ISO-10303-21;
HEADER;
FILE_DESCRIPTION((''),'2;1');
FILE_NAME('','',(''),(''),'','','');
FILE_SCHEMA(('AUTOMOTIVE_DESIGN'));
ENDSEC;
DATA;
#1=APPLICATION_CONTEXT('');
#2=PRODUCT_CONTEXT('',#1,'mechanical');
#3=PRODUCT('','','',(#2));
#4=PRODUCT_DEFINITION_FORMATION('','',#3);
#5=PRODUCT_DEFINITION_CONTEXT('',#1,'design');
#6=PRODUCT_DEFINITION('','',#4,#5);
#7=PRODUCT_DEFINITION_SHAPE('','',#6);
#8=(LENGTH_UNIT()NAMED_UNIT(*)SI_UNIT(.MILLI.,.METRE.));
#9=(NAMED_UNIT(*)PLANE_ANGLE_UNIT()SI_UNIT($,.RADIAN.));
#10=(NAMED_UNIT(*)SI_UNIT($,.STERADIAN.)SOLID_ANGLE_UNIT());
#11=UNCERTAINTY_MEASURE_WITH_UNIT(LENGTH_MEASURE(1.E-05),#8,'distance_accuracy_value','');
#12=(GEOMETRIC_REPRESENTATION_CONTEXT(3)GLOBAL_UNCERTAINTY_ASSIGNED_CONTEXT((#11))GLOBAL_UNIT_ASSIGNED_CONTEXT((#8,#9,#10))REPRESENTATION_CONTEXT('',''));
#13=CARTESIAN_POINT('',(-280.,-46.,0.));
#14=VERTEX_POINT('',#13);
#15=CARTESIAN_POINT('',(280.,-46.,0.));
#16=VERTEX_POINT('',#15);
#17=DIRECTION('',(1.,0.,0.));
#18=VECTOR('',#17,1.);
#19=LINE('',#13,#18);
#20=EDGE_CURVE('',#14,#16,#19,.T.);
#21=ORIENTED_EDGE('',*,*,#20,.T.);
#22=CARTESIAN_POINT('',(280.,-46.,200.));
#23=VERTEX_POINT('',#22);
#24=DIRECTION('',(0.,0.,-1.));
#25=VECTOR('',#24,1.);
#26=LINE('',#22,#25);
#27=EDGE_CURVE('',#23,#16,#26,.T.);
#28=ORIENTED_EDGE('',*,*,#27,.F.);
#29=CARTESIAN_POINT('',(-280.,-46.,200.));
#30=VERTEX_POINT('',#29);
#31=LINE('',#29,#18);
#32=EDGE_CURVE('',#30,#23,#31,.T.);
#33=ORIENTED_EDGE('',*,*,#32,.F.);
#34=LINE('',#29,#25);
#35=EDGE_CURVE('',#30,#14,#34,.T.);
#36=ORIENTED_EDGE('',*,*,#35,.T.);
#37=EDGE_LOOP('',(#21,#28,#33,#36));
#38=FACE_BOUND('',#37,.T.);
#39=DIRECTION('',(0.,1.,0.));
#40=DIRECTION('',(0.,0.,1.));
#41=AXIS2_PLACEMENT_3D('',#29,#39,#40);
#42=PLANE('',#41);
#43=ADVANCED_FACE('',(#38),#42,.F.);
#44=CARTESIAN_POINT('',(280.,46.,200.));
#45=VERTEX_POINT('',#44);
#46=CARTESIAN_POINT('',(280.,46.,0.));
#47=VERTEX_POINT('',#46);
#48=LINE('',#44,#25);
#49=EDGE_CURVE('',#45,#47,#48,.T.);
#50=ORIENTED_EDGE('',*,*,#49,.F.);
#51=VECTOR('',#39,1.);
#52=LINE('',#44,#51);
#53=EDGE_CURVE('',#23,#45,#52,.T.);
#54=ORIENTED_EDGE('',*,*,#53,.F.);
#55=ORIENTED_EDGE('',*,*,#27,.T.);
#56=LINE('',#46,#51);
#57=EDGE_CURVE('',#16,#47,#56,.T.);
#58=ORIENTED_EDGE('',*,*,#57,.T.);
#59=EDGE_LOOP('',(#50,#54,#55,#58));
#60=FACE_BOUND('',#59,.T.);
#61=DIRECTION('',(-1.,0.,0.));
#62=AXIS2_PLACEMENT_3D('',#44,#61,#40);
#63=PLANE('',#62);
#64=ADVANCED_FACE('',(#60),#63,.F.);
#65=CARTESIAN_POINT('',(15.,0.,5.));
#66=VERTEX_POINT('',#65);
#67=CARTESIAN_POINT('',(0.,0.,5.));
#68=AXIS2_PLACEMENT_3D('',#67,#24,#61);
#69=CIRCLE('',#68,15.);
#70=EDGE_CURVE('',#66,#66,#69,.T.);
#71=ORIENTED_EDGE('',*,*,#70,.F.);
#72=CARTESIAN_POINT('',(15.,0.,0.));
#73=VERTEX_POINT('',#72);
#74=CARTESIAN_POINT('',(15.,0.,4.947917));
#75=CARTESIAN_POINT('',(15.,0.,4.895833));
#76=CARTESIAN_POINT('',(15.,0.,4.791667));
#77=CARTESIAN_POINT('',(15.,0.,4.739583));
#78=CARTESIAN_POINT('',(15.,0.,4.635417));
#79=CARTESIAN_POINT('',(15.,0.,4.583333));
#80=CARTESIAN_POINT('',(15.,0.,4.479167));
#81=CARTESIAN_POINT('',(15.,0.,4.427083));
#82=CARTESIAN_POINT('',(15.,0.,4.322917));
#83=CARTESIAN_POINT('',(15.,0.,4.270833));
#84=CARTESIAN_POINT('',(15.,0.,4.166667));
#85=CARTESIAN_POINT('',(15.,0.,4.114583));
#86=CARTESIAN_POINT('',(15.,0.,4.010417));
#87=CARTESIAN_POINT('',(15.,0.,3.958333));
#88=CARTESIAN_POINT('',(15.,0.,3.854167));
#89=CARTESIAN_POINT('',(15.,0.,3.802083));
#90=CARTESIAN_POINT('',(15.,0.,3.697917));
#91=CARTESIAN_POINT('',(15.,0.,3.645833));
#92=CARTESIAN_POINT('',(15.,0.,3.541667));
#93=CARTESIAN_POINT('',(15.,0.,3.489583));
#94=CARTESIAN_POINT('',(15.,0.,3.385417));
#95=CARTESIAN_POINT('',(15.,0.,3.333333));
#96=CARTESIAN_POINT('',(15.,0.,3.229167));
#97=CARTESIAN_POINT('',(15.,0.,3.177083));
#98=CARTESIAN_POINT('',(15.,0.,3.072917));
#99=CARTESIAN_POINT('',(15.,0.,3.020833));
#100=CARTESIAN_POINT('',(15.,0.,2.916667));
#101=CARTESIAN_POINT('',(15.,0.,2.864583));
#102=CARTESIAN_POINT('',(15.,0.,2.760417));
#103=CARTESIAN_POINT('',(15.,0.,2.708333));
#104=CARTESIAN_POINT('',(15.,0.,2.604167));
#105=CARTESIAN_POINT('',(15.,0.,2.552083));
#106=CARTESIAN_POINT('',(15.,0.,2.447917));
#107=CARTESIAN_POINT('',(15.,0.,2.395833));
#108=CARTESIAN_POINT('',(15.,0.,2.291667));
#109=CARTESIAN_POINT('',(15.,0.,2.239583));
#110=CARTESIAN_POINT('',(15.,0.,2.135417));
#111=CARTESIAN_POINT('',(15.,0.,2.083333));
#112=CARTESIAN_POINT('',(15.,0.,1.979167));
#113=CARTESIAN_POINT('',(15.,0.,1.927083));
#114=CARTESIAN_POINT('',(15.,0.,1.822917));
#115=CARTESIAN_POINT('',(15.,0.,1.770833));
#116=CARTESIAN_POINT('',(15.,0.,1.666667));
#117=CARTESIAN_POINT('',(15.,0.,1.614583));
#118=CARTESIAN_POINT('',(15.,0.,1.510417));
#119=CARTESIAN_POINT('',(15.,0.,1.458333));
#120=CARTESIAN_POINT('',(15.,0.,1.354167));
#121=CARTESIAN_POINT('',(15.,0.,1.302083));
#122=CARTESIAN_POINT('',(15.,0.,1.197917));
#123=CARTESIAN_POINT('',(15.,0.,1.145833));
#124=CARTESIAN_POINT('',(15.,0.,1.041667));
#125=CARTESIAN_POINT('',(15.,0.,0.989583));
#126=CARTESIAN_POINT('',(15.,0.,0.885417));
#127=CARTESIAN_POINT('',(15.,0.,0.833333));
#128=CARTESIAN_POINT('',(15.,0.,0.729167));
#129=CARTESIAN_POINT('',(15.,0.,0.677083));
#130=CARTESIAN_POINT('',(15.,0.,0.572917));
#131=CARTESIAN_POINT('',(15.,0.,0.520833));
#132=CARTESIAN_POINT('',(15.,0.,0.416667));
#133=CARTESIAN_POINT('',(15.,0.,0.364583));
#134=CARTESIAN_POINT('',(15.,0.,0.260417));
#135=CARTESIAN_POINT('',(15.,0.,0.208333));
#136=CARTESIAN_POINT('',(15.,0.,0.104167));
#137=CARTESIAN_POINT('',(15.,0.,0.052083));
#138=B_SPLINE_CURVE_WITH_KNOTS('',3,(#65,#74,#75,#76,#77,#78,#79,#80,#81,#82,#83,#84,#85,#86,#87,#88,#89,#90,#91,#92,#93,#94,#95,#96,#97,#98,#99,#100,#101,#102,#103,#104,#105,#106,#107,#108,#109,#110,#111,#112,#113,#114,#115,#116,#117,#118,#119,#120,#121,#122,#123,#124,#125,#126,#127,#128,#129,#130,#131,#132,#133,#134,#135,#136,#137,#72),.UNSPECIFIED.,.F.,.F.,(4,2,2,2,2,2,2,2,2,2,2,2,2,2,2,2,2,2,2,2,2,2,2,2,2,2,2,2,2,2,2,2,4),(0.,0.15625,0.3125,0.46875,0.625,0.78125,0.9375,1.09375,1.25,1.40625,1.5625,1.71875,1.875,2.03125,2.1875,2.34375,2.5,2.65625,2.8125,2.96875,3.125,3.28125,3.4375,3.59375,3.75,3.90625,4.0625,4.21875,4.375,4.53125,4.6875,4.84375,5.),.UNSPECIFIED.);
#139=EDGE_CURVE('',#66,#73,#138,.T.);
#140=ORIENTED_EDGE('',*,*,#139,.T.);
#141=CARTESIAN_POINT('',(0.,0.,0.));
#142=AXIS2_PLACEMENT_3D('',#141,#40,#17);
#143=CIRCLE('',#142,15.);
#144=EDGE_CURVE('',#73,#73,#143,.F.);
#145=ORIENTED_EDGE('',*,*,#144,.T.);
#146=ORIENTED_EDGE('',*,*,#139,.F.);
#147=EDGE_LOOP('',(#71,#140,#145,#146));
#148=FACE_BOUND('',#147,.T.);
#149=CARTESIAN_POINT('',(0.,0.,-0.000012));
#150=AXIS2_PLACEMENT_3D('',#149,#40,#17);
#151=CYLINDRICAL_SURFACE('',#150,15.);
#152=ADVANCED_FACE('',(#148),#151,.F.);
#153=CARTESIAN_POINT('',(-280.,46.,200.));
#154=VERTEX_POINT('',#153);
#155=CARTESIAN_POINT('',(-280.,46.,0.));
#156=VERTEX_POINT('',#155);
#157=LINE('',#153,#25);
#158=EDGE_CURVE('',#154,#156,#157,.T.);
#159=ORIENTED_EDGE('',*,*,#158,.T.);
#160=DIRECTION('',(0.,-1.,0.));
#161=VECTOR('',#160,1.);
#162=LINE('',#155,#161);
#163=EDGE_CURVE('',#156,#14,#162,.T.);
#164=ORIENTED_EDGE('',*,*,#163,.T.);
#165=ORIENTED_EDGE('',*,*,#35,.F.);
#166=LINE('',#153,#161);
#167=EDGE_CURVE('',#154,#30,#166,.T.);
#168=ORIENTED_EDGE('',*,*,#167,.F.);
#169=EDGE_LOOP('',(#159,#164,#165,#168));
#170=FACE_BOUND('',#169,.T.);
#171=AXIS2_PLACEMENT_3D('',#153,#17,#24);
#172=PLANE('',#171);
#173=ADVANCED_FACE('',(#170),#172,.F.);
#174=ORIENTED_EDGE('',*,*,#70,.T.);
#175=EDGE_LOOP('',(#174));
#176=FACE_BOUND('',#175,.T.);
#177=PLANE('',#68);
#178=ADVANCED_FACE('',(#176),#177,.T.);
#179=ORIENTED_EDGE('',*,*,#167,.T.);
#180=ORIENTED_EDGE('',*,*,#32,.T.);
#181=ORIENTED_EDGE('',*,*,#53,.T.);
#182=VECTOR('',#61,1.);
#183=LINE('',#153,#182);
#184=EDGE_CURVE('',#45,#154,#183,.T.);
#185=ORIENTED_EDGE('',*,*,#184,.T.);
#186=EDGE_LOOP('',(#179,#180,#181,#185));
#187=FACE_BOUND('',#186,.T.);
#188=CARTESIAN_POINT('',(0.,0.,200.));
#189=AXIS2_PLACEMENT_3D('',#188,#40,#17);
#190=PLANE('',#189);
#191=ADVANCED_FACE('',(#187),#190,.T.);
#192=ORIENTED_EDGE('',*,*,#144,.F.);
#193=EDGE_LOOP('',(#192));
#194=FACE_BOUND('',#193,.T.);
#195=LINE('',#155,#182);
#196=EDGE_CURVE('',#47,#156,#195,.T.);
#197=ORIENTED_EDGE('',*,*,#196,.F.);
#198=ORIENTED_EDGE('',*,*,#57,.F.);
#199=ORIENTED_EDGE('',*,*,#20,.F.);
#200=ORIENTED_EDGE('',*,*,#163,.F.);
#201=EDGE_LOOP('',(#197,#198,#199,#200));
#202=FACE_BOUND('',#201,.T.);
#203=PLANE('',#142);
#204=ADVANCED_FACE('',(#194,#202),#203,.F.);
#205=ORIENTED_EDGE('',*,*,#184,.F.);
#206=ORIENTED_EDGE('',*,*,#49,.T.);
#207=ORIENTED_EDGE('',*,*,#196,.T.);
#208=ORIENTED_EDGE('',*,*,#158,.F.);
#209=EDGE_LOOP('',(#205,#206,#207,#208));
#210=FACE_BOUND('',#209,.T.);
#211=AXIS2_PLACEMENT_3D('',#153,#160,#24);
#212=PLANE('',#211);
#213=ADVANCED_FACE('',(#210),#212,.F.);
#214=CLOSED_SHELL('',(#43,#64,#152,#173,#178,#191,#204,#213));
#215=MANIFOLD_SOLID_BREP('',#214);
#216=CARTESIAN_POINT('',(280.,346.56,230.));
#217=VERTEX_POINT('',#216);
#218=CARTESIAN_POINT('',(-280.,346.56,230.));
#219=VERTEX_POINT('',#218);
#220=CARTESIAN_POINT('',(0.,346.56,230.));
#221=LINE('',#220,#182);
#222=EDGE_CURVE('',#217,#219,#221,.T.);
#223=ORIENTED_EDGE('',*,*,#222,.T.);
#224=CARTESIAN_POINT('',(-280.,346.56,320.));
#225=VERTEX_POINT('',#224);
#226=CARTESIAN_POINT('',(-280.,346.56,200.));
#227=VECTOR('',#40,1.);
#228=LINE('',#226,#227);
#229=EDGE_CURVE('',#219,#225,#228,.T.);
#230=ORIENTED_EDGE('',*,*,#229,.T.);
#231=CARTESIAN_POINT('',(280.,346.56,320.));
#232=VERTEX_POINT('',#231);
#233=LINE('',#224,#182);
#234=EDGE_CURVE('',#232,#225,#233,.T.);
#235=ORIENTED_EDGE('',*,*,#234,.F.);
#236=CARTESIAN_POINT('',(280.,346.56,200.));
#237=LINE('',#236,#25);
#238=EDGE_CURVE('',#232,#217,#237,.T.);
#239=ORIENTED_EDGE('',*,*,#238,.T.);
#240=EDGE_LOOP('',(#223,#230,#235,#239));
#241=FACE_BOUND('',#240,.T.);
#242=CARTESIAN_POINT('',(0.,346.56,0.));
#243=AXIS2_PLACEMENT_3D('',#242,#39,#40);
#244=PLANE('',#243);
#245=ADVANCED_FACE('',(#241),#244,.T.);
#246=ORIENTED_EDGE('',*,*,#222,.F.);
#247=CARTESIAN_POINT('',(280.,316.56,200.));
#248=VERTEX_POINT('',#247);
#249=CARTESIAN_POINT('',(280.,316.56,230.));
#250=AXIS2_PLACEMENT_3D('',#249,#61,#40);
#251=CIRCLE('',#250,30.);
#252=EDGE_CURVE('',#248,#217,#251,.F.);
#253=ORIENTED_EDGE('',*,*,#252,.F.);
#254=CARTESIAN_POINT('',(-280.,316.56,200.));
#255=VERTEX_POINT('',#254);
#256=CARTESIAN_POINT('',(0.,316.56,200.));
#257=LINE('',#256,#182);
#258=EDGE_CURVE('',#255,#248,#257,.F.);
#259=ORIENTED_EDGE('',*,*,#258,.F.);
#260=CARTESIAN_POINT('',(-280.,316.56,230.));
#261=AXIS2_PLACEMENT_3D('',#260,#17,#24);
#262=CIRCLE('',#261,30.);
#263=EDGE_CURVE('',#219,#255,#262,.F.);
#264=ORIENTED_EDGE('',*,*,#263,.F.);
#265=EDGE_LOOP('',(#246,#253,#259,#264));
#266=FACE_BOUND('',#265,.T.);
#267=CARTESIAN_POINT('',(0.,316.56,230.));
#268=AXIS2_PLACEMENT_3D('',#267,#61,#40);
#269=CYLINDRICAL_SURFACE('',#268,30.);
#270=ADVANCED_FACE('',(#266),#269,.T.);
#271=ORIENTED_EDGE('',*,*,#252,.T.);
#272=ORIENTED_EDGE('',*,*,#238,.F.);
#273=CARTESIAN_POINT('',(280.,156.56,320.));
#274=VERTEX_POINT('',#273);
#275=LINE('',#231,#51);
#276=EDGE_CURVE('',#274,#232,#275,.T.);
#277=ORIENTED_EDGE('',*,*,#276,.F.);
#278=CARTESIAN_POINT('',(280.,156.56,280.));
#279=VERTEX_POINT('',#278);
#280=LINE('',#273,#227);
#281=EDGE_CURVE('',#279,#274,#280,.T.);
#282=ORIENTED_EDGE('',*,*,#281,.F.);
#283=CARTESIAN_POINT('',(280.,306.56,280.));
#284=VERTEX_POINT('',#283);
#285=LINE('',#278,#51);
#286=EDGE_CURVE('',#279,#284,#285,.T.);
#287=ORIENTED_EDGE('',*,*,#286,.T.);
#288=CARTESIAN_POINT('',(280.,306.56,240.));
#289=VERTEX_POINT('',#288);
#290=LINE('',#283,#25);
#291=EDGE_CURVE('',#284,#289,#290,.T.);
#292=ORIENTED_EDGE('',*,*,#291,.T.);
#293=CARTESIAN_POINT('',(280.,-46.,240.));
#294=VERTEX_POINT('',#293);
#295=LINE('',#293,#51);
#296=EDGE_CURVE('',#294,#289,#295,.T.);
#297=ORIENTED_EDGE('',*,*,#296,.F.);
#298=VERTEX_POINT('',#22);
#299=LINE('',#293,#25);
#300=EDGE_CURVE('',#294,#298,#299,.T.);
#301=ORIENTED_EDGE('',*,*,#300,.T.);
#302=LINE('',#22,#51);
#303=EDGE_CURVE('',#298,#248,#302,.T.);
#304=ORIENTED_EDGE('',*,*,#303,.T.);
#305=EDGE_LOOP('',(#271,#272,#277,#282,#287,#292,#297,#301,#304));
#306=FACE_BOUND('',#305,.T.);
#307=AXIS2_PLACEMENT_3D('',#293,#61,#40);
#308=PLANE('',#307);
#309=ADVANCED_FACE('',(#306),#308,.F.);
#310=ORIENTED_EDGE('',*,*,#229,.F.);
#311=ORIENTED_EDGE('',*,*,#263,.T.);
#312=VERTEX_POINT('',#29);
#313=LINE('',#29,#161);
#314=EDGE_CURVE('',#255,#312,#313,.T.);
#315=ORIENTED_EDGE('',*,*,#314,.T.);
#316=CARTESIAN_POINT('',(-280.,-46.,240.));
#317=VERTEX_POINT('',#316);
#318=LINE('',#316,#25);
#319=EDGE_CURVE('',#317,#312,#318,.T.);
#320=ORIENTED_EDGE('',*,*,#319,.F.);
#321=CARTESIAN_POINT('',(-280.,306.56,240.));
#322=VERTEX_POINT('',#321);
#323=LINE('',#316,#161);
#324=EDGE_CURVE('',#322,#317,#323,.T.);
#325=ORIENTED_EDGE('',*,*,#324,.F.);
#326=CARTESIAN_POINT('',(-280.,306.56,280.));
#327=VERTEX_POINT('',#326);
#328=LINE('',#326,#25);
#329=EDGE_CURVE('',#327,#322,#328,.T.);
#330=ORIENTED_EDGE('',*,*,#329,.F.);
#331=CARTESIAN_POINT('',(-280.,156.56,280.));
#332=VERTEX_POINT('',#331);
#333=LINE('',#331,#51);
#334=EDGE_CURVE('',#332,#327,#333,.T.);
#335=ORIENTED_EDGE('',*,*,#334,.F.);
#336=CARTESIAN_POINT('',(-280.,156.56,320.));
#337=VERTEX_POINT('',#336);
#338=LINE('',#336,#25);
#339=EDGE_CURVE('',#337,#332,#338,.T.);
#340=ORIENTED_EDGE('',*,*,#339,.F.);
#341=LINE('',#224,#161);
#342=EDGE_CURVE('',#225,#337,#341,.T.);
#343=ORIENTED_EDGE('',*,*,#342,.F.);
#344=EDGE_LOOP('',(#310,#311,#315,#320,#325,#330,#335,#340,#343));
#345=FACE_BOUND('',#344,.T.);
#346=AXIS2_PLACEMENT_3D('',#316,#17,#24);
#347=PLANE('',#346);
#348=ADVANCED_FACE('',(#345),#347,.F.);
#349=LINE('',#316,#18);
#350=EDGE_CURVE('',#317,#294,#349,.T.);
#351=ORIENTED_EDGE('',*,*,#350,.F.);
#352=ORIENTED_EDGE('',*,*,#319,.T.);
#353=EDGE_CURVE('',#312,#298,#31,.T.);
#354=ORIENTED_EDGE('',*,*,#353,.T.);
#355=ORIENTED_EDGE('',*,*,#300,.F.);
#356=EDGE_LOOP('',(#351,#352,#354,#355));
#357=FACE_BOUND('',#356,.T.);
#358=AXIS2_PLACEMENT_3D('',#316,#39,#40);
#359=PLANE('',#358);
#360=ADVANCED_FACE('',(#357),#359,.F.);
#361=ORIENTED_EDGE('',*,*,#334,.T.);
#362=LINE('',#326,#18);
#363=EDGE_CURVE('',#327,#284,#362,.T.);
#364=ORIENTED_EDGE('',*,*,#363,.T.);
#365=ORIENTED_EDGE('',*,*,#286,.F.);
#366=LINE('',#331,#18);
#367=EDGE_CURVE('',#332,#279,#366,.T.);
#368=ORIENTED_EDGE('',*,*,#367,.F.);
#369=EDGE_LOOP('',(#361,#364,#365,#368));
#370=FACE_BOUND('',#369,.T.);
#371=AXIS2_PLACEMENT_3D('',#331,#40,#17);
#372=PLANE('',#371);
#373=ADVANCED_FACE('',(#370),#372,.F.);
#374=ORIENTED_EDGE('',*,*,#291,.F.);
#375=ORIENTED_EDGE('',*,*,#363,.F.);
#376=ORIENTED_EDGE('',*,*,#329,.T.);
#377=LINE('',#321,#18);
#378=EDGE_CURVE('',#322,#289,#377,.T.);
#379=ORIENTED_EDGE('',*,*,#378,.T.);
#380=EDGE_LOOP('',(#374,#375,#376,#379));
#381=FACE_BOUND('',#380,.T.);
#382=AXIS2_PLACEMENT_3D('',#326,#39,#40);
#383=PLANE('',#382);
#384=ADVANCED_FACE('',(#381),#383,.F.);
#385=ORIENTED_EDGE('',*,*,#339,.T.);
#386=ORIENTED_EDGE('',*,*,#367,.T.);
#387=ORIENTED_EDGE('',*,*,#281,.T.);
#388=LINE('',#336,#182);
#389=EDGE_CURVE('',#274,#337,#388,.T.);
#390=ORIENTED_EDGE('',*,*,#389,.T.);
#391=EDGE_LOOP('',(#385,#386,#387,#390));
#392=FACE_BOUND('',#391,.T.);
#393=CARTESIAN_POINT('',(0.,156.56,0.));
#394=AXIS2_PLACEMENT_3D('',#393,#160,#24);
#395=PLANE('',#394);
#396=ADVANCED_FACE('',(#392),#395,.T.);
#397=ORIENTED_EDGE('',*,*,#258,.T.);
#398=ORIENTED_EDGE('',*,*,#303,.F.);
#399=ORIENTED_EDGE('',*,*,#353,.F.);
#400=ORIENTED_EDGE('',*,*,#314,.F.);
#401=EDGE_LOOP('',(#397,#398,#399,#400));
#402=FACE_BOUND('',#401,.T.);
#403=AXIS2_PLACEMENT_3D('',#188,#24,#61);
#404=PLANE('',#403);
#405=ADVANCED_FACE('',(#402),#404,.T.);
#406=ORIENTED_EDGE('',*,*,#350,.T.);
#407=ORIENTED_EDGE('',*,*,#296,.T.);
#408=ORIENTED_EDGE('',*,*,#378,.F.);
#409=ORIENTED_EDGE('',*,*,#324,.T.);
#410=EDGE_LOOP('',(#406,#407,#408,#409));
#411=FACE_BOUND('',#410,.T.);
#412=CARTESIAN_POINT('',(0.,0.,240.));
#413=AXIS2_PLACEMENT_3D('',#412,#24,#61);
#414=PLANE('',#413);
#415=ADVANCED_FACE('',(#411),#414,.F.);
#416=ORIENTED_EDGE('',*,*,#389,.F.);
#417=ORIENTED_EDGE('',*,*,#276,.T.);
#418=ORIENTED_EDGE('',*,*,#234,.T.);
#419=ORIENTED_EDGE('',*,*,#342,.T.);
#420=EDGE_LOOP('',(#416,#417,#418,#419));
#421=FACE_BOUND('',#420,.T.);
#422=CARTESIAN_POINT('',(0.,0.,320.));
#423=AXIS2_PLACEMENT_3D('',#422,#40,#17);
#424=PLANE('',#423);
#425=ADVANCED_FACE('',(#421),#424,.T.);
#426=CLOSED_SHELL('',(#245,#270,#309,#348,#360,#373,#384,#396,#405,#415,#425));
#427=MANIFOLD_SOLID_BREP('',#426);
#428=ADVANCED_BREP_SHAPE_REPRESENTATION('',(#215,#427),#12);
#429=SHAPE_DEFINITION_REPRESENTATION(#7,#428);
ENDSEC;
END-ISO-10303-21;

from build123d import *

# Parameters (mm, degrees)
SKETCH1_W               = 560
SKETCH1_H               = 92
BOSS_EXTRUDE1_DEPTH     = 200
SKETCH2_W               = 560
SKETCH2_H               = 352.56
BOSS_EXTRUDE2_DEPTH     = 40
CUT_EXTRUDE1_DEPTH      = 480.56129285
CUT_EXTRUDE1_DEPTH_BACK = 5
SKETCH3_R               = 15
SKETCH4_W               = 560
SKETCH4_H               = 40
BOSS_EXTRUDE3_DEPTH     = 40
SKETCH5_W               = 560
SKETCH5_H               = 40
BOSS_EXTRUDE4_DEPTH     = 40
FILLET1_R               = 30
SKETCH6_W               = 560
SKETCH6_H               = 40
BOSS_EXTRUDE5_DEPTH     = 40
SKETCH7_W               = 560
SKETCH7_H               = 40
BOSS_EXTRUDE6_DEPTH     = 150


with BuildPart() as part:
    # Sketch1 → Boss-Extrude1 (new body)
    with BuildSketch(Plane.XY):
        Rectangle(SKETCH1_W, SKETCH1_H)
    extrude(amount=BOSS_EXTRUDE1_DEPTH)

    # Sketch3 → Cut-Extrude1 (cut, two sides: drawn at the far end of the back side and taken through both)
    with BuildSketch(Plane(origin=(0, 0, 0), x_dir=(-1, 0, 0), z_dir=(0, 0, -1)).offset(-CUT_EXTRUDE1_DEPTH_BACK)):
        with Locations(Location((0, 0, 0), (0, 0, 180))):
            Circle(SKETCH3_R)
    extrude(amount=CUT_EXTRUDE1_DEPTH + CUT_EXTRUDE1_DEPTH_BACK, mode=Mode.SUBTRACT)


with BuildPart() as body_2:
    # Sketch2 → Boss-Extrude2 (new body)
    with BuildSketch(Plane.XY.offset(200)):
        with Locations((0, 130.28)):
            Rectangle(SKETCH2_W, SKETCH2_H)
    extrude(amount=BOSS_EXTRUDE2_DEPTH)

    # Sketch4 → Boss-Extrude3 (add)
    with BuildSketch(Plane(origin=(0, 306.56, 0), x_dir=(1, 0, 0), z_dir=(0, 1, 0))):
        with Locations((0, -220)):
            Rectangle(SKETCH4_W, SKETCH4_H)
    extrude(amount=BOSS_EXTRUDE3_DEPTH)

    # Sketch5 → Boss-Extrude4 (add)
    with BuildSketch(Plane.XY.offset(240)):
        with Locations((0, 326.56)):
            Rectangle(SKETCH5_W, SKETCH5_H)
    extrude(amount=BOSS_EXTRUDE4_DEPTH)

    # Fillet1
    fillet1_edges = [body_2.edges().sort_by_distance(p)[0] for p in [
        (0, 346.56, 200),
    ]]
    fillet(fillet1_edges, radius=FILLET1_R)

    # Sketch6 → Boss-Extrude5 (add)
    with BuildSketch(Plane.XY.offset(280)):
        with Locations((0, 326.56)):
            Rectangle(SKETCH6_W, SKETCH6_H)
    extrude(amount=BOSS_EXTRUDE5_DEPTH)

    # Sketch7 → Boss-Extrude6 (add)
    with BuildSketch(Plane.XZ.offset(-306.56)):
        with Locations((0, 300)):
            Rectangle(SKETCH7_W, SKETCH7_H)
    extrude(amount=BOSS_EXTRUDE6_DEPTH)


solid = Compound([part.part, body_2.part])
